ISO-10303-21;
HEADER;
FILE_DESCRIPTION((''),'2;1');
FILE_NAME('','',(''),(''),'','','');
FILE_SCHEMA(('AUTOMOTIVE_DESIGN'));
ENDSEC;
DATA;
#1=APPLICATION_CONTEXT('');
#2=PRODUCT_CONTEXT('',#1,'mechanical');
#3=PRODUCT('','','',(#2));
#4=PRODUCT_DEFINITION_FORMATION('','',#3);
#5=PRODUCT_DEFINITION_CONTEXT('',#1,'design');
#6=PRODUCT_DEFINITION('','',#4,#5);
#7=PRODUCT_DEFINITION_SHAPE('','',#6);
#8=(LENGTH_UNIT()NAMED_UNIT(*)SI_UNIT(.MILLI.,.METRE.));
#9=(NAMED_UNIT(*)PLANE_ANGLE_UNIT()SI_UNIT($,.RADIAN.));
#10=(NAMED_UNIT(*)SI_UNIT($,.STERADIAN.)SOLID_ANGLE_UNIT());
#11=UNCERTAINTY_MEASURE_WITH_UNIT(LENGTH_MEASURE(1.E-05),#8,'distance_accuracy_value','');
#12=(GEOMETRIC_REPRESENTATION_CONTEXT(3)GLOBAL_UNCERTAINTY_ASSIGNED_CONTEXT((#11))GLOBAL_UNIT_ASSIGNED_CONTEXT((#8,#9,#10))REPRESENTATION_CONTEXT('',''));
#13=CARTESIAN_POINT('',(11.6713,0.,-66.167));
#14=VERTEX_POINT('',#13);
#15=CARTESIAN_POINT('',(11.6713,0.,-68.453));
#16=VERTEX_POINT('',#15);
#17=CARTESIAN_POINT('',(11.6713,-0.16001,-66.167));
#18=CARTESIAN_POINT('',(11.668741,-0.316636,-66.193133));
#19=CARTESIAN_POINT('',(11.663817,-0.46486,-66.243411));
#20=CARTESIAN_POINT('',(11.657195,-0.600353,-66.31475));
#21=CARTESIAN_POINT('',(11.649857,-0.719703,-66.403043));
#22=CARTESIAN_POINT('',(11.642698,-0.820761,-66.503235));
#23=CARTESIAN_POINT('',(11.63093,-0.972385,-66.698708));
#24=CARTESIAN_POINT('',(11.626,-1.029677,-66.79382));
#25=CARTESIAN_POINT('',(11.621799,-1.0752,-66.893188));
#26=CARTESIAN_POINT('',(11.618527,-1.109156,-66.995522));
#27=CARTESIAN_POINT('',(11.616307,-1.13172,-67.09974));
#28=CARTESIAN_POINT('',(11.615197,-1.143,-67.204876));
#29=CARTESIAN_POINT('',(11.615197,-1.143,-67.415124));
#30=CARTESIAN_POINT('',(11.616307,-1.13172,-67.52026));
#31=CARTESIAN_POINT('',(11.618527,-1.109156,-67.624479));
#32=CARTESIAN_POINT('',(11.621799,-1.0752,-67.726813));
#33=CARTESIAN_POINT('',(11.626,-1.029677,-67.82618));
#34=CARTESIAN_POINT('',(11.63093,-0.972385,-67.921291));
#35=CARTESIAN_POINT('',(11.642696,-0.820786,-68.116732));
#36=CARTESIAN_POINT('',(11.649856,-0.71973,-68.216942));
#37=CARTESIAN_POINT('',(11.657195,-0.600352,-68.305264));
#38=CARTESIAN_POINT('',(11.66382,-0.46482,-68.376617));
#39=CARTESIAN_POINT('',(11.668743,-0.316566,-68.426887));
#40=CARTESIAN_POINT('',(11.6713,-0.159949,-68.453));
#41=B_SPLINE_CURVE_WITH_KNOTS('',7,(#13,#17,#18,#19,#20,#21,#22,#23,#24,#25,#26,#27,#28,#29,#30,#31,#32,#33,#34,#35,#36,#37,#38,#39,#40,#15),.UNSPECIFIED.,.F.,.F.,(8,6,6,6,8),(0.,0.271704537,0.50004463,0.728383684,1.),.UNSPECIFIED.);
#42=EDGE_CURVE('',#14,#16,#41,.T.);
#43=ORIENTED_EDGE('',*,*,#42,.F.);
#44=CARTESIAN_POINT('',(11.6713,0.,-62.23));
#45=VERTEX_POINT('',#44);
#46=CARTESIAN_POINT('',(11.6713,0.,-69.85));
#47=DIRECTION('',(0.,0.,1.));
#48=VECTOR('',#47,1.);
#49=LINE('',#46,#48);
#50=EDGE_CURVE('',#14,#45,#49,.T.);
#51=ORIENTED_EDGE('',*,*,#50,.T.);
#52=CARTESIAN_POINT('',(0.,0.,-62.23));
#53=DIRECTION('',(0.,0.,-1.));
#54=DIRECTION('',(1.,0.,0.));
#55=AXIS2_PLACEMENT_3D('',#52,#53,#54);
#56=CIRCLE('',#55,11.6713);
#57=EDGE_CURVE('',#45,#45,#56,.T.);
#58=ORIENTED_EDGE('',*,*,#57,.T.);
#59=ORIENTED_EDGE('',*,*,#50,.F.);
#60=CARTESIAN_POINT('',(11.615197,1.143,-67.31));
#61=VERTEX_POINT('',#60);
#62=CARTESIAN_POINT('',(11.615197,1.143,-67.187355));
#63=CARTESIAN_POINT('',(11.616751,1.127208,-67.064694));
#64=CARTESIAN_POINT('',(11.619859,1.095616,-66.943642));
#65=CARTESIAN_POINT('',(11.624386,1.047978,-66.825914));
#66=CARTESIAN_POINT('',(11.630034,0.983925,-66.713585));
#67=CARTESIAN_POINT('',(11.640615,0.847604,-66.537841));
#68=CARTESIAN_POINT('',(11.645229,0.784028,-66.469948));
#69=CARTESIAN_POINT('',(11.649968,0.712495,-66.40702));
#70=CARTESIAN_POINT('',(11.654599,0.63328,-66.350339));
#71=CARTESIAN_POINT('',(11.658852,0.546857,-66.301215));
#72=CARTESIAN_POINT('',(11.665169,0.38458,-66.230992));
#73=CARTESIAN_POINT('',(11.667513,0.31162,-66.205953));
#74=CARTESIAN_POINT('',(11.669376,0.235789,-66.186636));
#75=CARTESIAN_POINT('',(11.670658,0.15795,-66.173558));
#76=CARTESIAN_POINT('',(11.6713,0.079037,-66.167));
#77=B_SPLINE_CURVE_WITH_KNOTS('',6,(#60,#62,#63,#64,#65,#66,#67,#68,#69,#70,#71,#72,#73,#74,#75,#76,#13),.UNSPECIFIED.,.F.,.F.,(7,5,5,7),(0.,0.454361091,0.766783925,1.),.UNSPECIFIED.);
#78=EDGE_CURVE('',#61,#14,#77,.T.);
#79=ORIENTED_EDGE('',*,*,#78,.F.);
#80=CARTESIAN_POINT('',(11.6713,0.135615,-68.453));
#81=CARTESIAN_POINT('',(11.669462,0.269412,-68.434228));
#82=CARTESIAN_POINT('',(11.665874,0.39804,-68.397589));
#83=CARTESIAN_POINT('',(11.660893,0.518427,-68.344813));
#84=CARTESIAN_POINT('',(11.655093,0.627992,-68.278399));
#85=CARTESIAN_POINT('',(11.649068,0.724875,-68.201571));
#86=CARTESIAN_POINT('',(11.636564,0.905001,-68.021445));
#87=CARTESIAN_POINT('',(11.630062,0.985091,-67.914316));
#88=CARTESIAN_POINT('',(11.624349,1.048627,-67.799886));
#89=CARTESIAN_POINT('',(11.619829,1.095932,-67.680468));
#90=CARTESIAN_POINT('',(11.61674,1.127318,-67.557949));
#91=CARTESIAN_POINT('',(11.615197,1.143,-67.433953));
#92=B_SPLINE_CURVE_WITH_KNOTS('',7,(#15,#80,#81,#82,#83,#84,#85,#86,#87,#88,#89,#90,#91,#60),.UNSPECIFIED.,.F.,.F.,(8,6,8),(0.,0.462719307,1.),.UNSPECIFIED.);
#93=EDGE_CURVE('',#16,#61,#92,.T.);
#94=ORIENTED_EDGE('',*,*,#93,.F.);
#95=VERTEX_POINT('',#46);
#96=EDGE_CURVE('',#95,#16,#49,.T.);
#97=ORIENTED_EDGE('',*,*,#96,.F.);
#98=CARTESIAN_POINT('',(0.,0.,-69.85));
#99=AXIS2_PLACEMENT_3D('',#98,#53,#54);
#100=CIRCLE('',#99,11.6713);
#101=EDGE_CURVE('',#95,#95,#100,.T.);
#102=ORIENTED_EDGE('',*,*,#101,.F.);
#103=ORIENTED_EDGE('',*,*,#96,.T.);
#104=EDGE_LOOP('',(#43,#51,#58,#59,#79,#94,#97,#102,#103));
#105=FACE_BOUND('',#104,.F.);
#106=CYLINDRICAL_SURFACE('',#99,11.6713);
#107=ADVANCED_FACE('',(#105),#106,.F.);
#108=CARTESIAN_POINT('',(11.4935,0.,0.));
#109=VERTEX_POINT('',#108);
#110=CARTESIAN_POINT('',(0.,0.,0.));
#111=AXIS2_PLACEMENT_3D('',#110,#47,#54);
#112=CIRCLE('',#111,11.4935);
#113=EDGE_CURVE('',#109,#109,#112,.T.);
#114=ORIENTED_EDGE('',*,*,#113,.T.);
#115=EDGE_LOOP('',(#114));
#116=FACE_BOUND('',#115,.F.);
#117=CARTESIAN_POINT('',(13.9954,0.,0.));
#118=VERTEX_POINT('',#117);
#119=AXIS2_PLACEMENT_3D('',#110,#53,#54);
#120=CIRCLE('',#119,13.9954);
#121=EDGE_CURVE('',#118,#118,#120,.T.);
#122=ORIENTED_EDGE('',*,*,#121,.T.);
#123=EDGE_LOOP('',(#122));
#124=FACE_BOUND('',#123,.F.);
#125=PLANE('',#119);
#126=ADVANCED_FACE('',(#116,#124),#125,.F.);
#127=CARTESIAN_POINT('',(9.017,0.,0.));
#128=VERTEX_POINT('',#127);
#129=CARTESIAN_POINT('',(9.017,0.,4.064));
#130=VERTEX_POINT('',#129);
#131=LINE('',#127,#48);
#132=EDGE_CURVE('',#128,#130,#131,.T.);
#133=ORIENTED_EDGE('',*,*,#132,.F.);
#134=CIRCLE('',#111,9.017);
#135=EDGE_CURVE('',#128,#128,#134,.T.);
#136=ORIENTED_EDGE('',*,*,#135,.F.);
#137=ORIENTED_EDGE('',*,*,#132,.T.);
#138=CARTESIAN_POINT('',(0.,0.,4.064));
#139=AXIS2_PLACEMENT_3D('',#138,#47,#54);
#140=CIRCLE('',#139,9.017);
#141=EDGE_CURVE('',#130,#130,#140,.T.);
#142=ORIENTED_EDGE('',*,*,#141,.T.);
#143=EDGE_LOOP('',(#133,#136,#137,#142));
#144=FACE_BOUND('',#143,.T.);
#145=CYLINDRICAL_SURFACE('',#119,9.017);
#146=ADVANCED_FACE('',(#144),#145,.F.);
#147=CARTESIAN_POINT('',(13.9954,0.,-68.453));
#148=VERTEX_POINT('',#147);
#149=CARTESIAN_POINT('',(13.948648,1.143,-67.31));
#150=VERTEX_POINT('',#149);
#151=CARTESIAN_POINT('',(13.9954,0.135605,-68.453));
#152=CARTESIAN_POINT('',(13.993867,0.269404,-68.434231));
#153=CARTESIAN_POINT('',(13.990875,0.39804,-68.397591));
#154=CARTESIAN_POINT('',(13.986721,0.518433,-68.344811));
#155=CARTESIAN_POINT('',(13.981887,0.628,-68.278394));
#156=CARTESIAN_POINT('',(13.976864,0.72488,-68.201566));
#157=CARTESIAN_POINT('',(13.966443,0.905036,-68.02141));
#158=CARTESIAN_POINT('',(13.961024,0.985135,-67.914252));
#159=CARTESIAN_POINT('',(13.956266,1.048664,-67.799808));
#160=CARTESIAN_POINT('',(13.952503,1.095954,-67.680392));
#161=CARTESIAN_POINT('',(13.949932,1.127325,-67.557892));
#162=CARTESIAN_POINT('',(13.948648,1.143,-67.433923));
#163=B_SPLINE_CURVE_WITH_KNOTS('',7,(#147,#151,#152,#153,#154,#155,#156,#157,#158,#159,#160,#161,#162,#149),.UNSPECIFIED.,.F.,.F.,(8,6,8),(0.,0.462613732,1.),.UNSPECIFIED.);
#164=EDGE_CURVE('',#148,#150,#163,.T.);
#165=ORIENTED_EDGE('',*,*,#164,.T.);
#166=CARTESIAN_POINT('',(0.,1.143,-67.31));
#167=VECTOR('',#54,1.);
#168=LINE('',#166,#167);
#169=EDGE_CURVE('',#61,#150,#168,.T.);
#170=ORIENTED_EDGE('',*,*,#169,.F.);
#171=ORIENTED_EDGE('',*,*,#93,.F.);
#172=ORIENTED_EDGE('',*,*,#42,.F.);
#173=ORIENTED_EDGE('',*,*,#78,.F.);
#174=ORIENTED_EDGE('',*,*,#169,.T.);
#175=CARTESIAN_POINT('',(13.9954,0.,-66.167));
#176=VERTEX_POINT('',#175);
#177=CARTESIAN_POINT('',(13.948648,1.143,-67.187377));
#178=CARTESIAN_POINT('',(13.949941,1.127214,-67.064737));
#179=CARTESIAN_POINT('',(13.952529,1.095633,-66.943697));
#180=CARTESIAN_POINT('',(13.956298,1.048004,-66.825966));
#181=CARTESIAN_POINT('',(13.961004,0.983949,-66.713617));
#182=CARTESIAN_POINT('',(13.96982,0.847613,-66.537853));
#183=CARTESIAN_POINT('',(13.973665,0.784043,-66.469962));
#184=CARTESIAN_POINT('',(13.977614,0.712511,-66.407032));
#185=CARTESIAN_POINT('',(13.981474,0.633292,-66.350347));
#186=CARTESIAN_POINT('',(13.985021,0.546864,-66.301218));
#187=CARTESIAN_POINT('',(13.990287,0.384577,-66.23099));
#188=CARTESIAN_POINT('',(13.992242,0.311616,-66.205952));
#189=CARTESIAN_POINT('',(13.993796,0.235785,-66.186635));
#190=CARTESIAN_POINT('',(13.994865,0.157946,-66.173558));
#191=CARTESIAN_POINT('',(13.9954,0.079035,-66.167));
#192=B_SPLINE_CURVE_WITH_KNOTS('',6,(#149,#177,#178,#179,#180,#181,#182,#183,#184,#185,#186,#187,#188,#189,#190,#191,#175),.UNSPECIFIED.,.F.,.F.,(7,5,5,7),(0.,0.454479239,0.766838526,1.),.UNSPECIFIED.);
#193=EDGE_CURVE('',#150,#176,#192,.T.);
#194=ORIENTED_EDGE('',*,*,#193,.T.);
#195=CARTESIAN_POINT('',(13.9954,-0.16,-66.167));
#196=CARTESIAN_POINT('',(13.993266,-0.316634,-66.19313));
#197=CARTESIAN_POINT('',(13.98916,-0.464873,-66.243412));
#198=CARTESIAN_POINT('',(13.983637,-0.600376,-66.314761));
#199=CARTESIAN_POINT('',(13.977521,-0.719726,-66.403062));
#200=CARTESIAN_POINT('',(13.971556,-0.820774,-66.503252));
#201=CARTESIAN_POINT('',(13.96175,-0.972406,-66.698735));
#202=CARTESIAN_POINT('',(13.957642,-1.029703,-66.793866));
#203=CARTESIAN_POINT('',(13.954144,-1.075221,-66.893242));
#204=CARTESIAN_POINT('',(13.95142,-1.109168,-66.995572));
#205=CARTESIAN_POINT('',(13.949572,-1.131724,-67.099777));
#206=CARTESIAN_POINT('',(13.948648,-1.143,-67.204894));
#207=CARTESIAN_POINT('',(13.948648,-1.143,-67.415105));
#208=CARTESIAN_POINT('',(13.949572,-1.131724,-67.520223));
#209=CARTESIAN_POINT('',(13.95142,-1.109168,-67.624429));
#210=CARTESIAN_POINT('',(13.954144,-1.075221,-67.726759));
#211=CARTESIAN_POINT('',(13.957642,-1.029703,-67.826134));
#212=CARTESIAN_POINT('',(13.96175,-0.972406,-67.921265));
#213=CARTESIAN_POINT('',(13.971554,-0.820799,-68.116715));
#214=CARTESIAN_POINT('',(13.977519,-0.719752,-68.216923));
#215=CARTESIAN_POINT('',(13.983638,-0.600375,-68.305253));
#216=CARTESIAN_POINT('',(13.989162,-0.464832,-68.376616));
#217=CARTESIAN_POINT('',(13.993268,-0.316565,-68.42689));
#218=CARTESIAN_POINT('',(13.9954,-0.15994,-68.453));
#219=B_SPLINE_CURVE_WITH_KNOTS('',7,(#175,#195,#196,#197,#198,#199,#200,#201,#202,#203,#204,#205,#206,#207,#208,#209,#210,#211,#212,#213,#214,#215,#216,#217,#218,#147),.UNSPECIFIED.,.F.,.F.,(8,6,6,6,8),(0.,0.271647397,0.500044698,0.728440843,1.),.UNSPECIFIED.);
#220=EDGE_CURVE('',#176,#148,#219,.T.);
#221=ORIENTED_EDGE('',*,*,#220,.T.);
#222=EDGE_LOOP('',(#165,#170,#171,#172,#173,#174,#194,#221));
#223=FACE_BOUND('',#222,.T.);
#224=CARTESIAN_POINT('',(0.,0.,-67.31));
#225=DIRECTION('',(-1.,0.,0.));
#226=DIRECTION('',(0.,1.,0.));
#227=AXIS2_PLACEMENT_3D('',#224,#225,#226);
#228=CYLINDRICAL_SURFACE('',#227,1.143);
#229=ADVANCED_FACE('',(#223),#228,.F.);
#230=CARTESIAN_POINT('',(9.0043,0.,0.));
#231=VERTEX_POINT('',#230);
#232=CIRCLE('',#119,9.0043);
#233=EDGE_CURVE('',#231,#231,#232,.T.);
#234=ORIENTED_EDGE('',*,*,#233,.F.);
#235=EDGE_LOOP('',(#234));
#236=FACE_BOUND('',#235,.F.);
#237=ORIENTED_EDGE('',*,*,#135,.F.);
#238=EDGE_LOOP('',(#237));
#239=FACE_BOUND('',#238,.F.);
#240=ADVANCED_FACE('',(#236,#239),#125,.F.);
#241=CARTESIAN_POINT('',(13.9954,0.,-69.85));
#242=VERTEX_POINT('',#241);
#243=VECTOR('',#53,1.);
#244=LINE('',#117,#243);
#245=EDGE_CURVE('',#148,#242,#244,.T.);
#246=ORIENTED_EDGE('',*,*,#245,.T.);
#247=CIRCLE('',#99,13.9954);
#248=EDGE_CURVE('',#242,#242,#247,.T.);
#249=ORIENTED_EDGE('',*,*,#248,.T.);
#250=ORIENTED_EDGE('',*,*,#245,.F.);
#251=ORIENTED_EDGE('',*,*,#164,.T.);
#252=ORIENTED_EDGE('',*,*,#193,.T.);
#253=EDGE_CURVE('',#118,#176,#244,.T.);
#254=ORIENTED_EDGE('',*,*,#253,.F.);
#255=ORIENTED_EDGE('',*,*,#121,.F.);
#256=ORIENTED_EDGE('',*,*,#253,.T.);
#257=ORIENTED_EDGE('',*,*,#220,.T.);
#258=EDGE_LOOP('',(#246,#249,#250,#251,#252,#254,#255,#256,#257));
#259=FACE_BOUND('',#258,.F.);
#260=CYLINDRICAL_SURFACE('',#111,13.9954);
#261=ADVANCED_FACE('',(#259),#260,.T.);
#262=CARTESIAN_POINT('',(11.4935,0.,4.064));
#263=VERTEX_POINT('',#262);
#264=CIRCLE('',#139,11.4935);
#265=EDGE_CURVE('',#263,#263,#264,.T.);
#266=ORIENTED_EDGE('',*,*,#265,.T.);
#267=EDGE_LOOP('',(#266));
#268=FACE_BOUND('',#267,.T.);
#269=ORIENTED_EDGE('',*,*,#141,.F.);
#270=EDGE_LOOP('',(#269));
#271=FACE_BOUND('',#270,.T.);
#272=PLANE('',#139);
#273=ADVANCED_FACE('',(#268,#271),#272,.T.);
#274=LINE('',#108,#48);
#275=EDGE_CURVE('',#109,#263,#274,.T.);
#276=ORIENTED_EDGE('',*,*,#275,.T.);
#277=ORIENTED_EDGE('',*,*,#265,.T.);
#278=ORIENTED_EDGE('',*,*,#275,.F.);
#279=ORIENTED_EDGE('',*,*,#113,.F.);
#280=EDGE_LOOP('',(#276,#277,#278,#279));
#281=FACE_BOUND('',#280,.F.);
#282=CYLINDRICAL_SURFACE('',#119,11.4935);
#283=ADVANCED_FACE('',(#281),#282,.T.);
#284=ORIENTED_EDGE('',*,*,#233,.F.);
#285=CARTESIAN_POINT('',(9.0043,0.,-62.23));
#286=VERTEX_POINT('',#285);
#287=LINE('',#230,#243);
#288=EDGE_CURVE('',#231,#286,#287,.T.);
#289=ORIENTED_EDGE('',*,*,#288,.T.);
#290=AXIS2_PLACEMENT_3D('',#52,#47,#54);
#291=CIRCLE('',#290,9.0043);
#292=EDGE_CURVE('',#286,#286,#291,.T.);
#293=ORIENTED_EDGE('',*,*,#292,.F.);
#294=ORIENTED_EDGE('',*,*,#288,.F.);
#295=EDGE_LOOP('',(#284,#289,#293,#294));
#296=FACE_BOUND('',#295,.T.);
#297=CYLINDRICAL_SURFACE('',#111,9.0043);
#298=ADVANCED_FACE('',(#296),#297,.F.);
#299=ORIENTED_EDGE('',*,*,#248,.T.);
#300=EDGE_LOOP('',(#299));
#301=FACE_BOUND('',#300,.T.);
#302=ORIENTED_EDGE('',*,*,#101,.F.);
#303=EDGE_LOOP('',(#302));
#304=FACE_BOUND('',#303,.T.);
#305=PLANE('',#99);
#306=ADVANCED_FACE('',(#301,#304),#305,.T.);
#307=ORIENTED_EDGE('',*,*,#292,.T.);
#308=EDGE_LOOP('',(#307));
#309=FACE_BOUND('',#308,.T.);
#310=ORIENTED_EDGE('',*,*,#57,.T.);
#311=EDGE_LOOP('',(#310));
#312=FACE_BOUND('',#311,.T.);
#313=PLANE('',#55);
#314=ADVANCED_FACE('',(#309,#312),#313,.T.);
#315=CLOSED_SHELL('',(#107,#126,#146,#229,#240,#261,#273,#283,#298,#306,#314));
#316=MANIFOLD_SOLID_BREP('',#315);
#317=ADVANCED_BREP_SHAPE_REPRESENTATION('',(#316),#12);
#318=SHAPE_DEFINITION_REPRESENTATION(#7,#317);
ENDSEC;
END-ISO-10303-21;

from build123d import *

# Parameters (mm, degrees)
F0_R     = 11.4935
F0_R_2   = 9.017
F1_DEPTH = 4.064
F2_R     = 13.9954
F2_R_2   = 9.0043
F3_DEPTH = 69.85
F4_R     = 11.6713
F5_DEPTH = 7.62
F6_R     = 1.143
F7_DEPTH = 13.9964


with BuildPart() as f1:
    # F0 (on Top) → F1 (new body)
    with BuildSketch(Plane.XY):
        Circle(F0_R)
        Circle(F0_R_2, mode=Mode.SUBTRACT)
    extrude(amount=F1_DEPTH)

    # F2 (on face) → F3 (join)
    with BuildSketch(Plane(origin=(0, 0, 0), x_dir=(1, 0, 0), z_dir=(0, 0, -1))):
        Circle(F2_R)
        Circle(F2_R_2, mode=Mode.SUBTRACT)
    extrude(amount=F3_DEPTH)

    # F4 (on face) → F5 (cut)
    with BuildSketch(Plane(origin=(0, 0, -69.85), x_dir=(1, 0, 0), z_dir=(0, 0, -1))):
        Circle(F4_R)
    extrude(amount=-F5_DEPTH, mode=Mode.SUBTRACT)

    # F6 (on Right) → F7 (cut, through all)
    with BuildSketch(Plane.YZ):
        with Locations((0, -67.31)):
            Circle(F6_R)
    extrude(amount=F7_DEPTH, mode=Mode.SUBTRACT)


solid = f1.part
